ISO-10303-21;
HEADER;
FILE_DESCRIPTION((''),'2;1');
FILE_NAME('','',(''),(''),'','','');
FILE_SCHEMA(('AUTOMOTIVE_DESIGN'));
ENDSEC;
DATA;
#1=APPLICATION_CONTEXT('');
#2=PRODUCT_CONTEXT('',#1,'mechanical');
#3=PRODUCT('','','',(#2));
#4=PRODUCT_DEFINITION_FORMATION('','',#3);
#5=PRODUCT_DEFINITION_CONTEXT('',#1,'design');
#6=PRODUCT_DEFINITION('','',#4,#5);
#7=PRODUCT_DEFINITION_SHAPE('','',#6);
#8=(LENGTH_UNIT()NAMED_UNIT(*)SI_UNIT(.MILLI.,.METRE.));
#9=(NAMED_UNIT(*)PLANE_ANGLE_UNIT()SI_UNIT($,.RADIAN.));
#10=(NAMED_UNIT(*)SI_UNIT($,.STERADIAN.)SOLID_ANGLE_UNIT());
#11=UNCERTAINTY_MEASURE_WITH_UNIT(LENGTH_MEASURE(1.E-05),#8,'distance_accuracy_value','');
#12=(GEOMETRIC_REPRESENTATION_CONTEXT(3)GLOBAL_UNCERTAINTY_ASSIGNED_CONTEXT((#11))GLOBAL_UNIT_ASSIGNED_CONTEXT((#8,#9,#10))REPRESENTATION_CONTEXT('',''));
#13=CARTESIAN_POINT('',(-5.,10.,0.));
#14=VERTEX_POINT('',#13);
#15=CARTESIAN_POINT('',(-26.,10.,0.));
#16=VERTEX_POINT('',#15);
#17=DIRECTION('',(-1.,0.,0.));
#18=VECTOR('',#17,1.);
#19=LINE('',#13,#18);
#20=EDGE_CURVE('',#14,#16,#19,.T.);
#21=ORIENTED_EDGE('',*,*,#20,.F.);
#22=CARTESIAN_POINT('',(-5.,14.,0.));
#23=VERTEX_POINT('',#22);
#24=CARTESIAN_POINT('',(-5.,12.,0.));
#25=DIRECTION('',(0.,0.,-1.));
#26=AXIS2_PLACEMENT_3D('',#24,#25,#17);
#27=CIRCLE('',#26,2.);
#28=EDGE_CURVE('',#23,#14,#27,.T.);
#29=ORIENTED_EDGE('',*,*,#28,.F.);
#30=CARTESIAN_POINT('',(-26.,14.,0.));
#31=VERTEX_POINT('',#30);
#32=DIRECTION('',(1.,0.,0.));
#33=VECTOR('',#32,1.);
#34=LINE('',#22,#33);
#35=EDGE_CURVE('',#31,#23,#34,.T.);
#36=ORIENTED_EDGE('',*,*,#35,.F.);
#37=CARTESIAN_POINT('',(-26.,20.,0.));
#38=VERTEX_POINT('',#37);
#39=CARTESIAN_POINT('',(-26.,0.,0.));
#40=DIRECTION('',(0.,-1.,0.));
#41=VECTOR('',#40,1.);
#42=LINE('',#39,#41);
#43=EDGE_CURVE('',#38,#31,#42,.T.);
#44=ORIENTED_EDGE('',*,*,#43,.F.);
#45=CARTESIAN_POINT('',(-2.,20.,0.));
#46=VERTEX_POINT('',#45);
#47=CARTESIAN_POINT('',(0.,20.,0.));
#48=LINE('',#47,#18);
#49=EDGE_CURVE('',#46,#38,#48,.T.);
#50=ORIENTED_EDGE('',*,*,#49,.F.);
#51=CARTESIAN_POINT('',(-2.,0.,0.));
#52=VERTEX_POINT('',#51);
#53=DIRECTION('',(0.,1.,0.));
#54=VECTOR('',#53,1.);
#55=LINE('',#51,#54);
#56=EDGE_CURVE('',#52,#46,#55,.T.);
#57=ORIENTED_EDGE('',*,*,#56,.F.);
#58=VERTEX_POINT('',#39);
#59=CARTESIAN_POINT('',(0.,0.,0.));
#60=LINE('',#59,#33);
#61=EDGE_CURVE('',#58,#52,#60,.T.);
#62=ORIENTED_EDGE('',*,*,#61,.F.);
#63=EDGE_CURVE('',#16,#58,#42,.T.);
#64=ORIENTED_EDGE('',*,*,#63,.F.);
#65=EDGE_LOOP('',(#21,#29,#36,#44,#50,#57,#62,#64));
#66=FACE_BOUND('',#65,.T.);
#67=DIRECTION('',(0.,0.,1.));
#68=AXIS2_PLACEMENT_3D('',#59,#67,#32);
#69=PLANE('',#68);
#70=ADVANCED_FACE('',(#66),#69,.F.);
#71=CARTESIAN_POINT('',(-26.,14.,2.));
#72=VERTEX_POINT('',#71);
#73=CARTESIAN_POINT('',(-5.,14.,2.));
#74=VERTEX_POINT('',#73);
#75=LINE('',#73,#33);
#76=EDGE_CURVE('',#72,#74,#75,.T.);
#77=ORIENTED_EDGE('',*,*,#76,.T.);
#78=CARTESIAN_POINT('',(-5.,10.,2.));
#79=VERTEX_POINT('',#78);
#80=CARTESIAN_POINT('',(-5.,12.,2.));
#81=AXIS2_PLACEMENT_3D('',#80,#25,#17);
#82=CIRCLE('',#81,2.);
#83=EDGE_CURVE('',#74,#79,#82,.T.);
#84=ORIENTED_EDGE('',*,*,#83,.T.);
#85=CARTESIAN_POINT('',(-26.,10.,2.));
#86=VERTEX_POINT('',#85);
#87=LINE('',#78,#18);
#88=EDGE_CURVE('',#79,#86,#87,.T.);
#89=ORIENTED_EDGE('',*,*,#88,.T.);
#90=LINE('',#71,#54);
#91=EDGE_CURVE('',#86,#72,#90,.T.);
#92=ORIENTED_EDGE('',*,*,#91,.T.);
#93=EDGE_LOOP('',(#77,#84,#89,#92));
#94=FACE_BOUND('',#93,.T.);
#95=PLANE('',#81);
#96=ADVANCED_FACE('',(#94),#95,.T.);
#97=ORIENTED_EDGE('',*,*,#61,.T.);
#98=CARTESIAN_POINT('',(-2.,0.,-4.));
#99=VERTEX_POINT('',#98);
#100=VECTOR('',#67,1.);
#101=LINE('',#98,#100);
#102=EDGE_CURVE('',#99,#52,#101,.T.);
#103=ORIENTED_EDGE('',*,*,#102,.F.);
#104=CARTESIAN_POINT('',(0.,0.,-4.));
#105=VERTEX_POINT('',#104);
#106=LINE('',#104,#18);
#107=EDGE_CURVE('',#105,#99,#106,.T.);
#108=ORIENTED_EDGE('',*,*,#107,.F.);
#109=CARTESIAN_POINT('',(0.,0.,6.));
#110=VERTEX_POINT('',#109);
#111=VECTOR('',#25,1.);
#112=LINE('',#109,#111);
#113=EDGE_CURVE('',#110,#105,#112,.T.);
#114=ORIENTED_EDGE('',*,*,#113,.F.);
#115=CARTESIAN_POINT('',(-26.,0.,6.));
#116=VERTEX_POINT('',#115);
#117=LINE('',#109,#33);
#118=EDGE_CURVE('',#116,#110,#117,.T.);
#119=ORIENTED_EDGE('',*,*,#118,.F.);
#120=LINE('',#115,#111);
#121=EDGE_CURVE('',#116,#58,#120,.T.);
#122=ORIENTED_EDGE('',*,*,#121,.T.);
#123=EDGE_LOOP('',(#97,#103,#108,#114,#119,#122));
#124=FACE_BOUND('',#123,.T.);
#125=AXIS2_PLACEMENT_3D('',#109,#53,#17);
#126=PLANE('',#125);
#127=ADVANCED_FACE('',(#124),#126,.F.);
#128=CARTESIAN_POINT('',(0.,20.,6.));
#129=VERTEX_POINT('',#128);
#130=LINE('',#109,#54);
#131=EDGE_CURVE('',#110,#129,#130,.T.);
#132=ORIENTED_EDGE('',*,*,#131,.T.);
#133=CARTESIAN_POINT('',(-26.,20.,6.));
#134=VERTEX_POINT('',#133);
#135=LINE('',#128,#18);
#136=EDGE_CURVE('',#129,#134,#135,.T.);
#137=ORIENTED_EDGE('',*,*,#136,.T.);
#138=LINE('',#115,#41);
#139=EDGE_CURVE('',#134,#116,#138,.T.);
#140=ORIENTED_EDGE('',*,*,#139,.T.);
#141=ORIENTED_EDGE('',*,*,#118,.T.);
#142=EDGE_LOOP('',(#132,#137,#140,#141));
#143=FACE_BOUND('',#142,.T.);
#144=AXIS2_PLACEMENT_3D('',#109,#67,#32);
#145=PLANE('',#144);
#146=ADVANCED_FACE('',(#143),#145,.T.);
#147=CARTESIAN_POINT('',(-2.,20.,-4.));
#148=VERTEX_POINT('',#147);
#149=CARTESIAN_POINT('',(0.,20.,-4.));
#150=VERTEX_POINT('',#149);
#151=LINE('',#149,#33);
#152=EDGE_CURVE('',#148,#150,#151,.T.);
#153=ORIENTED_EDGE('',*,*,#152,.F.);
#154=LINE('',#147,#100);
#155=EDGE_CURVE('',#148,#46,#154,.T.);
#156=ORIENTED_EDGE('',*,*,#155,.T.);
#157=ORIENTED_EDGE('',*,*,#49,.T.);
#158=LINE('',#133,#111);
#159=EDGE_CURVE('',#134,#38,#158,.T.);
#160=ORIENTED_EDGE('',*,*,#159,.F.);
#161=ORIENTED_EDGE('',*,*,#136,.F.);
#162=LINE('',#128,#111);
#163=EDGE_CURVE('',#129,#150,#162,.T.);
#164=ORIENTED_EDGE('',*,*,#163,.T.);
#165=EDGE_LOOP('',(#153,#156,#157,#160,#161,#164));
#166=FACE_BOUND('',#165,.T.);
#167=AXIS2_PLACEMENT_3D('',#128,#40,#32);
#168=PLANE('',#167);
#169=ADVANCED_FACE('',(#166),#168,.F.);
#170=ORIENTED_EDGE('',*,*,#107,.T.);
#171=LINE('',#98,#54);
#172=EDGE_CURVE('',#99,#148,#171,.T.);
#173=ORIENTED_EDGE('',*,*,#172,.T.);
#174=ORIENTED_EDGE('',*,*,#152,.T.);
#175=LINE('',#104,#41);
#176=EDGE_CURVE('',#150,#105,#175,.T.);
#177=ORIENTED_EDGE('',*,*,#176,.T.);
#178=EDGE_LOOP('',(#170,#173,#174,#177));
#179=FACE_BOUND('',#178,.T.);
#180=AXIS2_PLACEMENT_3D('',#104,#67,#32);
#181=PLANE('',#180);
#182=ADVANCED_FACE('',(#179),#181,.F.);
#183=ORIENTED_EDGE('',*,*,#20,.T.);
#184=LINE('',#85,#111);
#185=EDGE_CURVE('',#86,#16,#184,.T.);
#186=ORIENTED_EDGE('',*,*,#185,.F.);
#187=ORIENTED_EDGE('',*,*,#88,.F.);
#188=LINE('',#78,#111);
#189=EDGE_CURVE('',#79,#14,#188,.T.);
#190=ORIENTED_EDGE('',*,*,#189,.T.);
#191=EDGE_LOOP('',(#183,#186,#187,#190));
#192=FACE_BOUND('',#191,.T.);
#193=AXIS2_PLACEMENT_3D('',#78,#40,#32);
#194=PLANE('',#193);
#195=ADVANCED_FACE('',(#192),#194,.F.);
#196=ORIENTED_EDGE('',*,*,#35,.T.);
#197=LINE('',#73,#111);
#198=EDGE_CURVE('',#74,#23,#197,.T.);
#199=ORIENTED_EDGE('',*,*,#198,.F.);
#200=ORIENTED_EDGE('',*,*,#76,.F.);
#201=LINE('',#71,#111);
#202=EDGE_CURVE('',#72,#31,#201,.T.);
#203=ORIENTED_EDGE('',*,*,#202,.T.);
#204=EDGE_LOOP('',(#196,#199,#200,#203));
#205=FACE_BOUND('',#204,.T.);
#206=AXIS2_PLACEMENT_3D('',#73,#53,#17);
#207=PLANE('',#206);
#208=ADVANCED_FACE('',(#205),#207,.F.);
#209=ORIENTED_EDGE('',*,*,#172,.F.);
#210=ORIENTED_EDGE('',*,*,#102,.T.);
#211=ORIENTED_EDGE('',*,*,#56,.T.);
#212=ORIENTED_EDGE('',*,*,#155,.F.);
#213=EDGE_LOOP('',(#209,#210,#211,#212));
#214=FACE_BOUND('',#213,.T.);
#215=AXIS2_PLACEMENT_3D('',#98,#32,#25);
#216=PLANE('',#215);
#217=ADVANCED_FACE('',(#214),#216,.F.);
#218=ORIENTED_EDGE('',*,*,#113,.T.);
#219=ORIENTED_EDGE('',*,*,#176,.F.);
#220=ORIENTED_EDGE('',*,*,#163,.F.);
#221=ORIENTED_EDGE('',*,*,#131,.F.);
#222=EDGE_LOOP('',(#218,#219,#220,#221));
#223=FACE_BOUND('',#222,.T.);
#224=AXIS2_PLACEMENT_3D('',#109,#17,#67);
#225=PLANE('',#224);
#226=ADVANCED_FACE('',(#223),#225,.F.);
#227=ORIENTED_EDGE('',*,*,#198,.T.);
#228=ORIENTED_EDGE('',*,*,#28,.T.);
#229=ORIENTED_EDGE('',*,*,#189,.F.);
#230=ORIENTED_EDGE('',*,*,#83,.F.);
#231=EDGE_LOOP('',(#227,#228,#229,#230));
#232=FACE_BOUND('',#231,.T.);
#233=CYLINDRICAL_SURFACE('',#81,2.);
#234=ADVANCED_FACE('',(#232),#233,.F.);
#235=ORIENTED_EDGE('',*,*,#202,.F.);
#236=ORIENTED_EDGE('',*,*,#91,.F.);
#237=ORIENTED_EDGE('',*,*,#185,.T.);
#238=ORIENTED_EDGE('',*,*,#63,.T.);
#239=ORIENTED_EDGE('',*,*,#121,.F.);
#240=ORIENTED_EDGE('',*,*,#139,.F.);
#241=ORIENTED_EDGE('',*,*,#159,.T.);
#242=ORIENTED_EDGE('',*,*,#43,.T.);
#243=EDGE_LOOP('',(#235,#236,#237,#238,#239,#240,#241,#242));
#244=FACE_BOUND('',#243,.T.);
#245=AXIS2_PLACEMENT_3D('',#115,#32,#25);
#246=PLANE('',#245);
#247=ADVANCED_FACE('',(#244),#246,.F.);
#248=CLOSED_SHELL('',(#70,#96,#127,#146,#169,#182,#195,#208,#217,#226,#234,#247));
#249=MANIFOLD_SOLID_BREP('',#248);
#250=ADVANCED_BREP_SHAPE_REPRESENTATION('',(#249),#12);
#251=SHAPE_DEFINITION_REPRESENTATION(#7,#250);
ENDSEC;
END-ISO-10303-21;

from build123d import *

# Parameters (mm, degrees)
ESBO_O1_W                = 26
ESBO_O1_H                = 20
RESSALTO_EXTRUS_O1_DEPTH = 6
ESBO_O2_W                = 2
ESBO_O2_H                = 20
RESSALTO_EXTRUS_O2_DEPTH = 4
CORTE_EXTRUS_O1_DEPTH    = 2


with BuildPart() as part:
    # Esboço1 → Ressalto-extrusão1 (new body)
    with BuildSketch(Plane.XY):
        with Locations((-13, 10)):
            Rectangle(ESBO_O1_W, ESBO_O1_H)
    extrude(amount=RESSALTO_EXTRUS_O1_DEPTH)

    # Esboço2 → Ressalto-extrusão2 (add)
    with BuildSketch(Plane(origin=(0, 0, 0), x_dir=(-1, 0, 0), z_dir=(0, 0, -1))):
        with Locations((1, 10)):
            Rectangle(ESBO_O2_W, ESBO_O2_H)
    extrude(amount=RESSALTO_EXTRUS_O2_DEPTH)

    # Esboço3 → Corte-extrusão1 (cut)
    with BuildSketch(Plane(origin=(0, 0, 0), x_dir=(-1, 0, 0), z_dir=(0, 0, -1))):
        with BuildLine():
            Line((5, 10), (26, 10))
            Line((26, 10), (26, 14))
            Line((26, 14), (5, 14))
            ThreePointArc((5, 14), (3, 12), (5, 10))
        make_face()
    extrude(amount=-CORTE_EXTRUS_O1_DEPTH, mode=Mode.SUBTRACT)


solid = part.part
